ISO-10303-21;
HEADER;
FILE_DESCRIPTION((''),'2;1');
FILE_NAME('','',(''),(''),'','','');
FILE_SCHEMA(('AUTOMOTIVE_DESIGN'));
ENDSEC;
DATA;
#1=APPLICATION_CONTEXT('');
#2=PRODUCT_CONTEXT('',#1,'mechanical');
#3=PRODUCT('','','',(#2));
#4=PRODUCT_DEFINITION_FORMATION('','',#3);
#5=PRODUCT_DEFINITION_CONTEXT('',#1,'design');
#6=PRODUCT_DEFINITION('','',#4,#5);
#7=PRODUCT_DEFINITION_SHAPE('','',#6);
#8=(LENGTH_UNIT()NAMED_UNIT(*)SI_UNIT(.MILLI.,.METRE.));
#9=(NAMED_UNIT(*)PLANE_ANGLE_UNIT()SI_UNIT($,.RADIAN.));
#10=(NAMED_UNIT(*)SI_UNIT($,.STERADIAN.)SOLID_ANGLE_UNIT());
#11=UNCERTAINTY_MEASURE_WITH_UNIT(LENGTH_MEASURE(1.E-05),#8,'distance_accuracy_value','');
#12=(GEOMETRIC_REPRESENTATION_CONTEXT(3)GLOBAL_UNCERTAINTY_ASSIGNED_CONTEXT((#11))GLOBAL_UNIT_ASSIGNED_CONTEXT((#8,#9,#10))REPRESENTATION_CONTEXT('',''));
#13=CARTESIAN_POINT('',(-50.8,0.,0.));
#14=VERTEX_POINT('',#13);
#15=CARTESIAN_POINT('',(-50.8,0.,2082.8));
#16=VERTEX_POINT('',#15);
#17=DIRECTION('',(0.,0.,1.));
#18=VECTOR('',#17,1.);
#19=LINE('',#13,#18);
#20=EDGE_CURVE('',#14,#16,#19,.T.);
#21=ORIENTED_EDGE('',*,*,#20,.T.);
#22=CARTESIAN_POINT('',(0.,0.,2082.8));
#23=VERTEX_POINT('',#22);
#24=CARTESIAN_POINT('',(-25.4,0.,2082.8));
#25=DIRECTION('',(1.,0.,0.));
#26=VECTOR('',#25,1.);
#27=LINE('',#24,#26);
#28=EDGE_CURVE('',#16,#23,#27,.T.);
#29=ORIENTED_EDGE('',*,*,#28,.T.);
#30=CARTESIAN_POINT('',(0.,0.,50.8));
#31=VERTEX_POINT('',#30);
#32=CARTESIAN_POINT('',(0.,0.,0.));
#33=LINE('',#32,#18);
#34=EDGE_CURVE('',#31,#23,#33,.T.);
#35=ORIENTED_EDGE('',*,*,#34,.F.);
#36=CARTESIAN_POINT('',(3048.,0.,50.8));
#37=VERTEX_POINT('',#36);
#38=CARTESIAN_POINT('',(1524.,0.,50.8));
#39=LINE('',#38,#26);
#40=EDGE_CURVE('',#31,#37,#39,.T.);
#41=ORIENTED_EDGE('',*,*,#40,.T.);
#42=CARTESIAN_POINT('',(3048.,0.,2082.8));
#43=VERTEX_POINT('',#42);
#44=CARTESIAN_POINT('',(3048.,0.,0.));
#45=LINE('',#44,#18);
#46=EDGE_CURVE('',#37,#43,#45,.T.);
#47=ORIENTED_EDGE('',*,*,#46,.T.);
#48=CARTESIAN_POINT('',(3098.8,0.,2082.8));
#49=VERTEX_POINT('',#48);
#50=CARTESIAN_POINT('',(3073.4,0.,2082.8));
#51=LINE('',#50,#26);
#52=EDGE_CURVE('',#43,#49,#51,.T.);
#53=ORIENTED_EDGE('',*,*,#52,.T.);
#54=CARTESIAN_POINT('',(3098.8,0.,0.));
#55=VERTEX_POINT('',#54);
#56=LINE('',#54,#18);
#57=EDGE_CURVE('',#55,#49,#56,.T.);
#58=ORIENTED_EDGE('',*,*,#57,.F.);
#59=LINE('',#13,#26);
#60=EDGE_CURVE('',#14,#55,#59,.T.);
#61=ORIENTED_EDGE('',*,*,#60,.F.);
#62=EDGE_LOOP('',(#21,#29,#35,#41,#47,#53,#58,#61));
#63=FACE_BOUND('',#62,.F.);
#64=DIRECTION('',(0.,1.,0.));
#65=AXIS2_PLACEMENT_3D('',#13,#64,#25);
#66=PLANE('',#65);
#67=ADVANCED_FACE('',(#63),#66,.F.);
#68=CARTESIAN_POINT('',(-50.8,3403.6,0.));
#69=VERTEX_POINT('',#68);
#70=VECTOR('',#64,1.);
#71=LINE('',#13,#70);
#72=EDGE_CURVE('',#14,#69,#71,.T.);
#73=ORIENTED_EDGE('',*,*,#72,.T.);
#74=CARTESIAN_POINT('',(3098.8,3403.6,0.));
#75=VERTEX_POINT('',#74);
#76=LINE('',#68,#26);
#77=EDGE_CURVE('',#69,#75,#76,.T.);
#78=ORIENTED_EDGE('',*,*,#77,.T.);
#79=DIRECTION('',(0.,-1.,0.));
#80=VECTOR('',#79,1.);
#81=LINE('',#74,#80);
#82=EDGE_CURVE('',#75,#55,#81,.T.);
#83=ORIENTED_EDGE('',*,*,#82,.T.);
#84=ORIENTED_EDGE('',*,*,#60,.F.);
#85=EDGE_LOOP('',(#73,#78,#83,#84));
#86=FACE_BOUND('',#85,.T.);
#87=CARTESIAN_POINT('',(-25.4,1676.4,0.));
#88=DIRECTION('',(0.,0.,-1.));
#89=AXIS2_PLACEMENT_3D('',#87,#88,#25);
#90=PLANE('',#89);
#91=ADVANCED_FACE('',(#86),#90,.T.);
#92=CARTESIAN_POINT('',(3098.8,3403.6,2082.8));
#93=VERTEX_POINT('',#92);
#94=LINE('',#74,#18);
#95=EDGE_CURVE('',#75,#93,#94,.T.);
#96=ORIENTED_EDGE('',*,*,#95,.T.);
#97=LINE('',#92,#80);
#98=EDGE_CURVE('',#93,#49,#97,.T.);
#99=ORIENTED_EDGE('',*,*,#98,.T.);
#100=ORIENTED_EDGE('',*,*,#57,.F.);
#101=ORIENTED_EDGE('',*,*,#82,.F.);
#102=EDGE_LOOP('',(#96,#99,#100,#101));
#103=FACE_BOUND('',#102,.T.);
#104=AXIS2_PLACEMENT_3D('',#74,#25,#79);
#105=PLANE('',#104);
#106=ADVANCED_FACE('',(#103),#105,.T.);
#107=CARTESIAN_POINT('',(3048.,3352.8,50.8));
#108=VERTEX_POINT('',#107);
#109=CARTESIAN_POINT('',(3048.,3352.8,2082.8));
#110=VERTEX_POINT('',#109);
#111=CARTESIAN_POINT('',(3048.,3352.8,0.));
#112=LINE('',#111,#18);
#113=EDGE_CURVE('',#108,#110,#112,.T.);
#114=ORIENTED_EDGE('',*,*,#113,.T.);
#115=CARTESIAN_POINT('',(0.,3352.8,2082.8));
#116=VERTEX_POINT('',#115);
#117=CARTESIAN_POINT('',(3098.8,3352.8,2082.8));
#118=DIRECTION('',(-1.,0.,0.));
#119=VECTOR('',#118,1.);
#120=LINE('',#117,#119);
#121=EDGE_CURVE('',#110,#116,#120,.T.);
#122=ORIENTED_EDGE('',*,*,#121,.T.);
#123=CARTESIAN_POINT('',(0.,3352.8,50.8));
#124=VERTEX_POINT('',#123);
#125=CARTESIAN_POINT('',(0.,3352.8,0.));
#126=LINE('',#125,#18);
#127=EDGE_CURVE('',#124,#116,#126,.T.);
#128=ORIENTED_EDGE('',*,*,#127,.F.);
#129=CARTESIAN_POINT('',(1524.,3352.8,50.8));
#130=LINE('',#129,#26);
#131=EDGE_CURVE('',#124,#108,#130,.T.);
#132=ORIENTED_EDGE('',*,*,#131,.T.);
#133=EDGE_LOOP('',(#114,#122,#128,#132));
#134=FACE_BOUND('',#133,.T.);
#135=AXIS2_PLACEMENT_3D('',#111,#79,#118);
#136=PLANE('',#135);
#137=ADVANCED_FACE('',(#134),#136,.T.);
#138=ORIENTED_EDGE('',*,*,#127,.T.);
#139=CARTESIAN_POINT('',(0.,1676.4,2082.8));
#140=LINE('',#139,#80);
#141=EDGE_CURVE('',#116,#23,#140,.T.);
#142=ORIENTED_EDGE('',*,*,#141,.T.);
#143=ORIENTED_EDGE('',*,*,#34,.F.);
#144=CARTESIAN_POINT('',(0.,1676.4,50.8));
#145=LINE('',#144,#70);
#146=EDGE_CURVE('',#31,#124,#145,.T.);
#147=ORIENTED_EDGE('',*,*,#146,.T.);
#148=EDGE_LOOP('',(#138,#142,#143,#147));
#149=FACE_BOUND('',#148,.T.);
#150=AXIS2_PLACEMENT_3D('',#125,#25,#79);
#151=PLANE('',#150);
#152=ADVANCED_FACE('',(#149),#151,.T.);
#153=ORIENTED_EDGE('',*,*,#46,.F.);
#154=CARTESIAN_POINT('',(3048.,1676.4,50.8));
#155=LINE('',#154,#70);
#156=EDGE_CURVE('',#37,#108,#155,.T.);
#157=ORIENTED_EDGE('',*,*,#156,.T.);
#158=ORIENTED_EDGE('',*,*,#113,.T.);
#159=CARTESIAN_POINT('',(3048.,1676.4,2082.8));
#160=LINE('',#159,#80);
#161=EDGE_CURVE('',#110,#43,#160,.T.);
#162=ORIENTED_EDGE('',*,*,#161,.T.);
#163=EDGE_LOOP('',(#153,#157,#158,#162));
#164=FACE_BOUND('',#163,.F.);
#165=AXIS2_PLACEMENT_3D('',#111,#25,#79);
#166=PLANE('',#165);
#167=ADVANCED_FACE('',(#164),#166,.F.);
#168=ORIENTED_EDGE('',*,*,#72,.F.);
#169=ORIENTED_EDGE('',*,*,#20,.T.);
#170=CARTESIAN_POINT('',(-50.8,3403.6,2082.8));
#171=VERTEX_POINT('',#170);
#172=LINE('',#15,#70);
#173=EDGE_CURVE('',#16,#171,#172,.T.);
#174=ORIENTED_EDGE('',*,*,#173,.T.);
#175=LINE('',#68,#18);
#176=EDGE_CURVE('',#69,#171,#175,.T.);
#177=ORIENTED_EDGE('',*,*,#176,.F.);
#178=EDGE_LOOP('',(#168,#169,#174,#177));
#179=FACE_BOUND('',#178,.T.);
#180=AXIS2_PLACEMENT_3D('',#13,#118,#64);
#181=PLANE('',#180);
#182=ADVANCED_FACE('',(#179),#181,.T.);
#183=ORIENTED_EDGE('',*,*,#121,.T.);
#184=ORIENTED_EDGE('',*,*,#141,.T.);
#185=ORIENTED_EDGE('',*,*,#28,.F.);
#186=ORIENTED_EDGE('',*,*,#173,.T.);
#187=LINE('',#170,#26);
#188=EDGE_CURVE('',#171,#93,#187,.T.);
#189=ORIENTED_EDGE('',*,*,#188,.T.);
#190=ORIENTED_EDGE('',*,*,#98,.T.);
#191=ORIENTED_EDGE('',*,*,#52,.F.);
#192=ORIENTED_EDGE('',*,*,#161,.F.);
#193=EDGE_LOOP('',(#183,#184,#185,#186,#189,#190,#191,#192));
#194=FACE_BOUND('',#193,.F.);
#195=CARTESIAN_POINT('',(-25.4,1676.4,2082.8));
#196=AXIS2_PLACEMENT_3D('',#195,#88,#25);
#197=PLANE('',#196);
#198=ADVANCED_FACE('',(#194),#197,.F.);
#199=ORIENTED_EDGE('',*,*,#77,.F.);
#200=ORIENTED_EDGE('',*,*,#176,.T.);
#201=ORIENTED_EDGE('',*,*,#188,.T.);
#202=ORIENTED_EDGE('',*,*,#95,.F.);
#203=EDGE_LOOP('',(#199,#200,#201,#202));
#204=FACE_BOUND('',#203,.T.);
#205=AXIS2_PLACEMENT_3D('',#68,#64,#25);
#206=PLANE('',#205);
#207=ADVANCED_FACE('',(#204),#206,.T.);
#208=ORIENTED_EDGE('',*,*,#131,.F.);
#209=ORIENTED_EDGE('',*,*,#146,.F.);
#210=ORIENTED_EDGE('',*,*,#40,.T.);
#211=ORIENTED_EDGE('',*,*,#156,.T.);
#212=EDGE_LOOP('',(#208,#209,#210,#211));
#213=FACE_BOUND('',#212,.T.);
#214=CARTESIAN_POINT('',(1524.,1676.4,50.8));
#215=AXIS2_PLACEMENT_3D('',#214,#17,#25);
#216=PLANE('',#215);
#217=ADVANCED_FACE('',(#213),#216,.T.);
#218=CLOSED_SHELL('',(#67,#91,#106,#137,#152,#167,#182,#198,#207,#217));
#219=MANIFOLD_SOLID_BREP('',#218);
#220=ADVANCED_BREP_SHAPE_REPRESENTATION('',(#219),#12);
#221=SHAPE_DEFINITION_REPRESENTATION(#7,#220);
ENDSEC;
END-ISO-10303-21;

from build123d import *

# Parameters (mm, degrees)
F0_W     = 3048
F0_H     = 3352.8
F1_DEPTH = 50.8
F2_W     = 50.8
F2_H     = 3352.8
F3_DEPTH = 2082.8


with BuildPart() as f1:
    # F0 (on Top) → F1 (new body)
    with BuildSketch(Plane.XY):
        with Locations((1524, 1676.4)):
            Rectangle(F0_W, F0_H)
    extrude(amount=F1_DEPTH)

    # F2 (on face) → F3 (join, through all)
    with BuildSketch(Plane(origin=(0, 0, 0), x_dir=(1, 0, 0), z_dir=(0, 0, -1))):
        with Locations((-25.4, -1676.4)):
            Rectangle(F2_W, F2_H)
        Polygon((3048, -3352.8), (0, -3352.8), (-50.8, -3352.8), (-50.8, -3403.6), (3098.8, -3403.6), (3098.8, -3352.8), align=None)
        with Locations((3073.4, -1676.4)):
            Rectangle(F2_W, F2_H)
    extrude(amount=-F3_DEPTH)


solid = f1.part
